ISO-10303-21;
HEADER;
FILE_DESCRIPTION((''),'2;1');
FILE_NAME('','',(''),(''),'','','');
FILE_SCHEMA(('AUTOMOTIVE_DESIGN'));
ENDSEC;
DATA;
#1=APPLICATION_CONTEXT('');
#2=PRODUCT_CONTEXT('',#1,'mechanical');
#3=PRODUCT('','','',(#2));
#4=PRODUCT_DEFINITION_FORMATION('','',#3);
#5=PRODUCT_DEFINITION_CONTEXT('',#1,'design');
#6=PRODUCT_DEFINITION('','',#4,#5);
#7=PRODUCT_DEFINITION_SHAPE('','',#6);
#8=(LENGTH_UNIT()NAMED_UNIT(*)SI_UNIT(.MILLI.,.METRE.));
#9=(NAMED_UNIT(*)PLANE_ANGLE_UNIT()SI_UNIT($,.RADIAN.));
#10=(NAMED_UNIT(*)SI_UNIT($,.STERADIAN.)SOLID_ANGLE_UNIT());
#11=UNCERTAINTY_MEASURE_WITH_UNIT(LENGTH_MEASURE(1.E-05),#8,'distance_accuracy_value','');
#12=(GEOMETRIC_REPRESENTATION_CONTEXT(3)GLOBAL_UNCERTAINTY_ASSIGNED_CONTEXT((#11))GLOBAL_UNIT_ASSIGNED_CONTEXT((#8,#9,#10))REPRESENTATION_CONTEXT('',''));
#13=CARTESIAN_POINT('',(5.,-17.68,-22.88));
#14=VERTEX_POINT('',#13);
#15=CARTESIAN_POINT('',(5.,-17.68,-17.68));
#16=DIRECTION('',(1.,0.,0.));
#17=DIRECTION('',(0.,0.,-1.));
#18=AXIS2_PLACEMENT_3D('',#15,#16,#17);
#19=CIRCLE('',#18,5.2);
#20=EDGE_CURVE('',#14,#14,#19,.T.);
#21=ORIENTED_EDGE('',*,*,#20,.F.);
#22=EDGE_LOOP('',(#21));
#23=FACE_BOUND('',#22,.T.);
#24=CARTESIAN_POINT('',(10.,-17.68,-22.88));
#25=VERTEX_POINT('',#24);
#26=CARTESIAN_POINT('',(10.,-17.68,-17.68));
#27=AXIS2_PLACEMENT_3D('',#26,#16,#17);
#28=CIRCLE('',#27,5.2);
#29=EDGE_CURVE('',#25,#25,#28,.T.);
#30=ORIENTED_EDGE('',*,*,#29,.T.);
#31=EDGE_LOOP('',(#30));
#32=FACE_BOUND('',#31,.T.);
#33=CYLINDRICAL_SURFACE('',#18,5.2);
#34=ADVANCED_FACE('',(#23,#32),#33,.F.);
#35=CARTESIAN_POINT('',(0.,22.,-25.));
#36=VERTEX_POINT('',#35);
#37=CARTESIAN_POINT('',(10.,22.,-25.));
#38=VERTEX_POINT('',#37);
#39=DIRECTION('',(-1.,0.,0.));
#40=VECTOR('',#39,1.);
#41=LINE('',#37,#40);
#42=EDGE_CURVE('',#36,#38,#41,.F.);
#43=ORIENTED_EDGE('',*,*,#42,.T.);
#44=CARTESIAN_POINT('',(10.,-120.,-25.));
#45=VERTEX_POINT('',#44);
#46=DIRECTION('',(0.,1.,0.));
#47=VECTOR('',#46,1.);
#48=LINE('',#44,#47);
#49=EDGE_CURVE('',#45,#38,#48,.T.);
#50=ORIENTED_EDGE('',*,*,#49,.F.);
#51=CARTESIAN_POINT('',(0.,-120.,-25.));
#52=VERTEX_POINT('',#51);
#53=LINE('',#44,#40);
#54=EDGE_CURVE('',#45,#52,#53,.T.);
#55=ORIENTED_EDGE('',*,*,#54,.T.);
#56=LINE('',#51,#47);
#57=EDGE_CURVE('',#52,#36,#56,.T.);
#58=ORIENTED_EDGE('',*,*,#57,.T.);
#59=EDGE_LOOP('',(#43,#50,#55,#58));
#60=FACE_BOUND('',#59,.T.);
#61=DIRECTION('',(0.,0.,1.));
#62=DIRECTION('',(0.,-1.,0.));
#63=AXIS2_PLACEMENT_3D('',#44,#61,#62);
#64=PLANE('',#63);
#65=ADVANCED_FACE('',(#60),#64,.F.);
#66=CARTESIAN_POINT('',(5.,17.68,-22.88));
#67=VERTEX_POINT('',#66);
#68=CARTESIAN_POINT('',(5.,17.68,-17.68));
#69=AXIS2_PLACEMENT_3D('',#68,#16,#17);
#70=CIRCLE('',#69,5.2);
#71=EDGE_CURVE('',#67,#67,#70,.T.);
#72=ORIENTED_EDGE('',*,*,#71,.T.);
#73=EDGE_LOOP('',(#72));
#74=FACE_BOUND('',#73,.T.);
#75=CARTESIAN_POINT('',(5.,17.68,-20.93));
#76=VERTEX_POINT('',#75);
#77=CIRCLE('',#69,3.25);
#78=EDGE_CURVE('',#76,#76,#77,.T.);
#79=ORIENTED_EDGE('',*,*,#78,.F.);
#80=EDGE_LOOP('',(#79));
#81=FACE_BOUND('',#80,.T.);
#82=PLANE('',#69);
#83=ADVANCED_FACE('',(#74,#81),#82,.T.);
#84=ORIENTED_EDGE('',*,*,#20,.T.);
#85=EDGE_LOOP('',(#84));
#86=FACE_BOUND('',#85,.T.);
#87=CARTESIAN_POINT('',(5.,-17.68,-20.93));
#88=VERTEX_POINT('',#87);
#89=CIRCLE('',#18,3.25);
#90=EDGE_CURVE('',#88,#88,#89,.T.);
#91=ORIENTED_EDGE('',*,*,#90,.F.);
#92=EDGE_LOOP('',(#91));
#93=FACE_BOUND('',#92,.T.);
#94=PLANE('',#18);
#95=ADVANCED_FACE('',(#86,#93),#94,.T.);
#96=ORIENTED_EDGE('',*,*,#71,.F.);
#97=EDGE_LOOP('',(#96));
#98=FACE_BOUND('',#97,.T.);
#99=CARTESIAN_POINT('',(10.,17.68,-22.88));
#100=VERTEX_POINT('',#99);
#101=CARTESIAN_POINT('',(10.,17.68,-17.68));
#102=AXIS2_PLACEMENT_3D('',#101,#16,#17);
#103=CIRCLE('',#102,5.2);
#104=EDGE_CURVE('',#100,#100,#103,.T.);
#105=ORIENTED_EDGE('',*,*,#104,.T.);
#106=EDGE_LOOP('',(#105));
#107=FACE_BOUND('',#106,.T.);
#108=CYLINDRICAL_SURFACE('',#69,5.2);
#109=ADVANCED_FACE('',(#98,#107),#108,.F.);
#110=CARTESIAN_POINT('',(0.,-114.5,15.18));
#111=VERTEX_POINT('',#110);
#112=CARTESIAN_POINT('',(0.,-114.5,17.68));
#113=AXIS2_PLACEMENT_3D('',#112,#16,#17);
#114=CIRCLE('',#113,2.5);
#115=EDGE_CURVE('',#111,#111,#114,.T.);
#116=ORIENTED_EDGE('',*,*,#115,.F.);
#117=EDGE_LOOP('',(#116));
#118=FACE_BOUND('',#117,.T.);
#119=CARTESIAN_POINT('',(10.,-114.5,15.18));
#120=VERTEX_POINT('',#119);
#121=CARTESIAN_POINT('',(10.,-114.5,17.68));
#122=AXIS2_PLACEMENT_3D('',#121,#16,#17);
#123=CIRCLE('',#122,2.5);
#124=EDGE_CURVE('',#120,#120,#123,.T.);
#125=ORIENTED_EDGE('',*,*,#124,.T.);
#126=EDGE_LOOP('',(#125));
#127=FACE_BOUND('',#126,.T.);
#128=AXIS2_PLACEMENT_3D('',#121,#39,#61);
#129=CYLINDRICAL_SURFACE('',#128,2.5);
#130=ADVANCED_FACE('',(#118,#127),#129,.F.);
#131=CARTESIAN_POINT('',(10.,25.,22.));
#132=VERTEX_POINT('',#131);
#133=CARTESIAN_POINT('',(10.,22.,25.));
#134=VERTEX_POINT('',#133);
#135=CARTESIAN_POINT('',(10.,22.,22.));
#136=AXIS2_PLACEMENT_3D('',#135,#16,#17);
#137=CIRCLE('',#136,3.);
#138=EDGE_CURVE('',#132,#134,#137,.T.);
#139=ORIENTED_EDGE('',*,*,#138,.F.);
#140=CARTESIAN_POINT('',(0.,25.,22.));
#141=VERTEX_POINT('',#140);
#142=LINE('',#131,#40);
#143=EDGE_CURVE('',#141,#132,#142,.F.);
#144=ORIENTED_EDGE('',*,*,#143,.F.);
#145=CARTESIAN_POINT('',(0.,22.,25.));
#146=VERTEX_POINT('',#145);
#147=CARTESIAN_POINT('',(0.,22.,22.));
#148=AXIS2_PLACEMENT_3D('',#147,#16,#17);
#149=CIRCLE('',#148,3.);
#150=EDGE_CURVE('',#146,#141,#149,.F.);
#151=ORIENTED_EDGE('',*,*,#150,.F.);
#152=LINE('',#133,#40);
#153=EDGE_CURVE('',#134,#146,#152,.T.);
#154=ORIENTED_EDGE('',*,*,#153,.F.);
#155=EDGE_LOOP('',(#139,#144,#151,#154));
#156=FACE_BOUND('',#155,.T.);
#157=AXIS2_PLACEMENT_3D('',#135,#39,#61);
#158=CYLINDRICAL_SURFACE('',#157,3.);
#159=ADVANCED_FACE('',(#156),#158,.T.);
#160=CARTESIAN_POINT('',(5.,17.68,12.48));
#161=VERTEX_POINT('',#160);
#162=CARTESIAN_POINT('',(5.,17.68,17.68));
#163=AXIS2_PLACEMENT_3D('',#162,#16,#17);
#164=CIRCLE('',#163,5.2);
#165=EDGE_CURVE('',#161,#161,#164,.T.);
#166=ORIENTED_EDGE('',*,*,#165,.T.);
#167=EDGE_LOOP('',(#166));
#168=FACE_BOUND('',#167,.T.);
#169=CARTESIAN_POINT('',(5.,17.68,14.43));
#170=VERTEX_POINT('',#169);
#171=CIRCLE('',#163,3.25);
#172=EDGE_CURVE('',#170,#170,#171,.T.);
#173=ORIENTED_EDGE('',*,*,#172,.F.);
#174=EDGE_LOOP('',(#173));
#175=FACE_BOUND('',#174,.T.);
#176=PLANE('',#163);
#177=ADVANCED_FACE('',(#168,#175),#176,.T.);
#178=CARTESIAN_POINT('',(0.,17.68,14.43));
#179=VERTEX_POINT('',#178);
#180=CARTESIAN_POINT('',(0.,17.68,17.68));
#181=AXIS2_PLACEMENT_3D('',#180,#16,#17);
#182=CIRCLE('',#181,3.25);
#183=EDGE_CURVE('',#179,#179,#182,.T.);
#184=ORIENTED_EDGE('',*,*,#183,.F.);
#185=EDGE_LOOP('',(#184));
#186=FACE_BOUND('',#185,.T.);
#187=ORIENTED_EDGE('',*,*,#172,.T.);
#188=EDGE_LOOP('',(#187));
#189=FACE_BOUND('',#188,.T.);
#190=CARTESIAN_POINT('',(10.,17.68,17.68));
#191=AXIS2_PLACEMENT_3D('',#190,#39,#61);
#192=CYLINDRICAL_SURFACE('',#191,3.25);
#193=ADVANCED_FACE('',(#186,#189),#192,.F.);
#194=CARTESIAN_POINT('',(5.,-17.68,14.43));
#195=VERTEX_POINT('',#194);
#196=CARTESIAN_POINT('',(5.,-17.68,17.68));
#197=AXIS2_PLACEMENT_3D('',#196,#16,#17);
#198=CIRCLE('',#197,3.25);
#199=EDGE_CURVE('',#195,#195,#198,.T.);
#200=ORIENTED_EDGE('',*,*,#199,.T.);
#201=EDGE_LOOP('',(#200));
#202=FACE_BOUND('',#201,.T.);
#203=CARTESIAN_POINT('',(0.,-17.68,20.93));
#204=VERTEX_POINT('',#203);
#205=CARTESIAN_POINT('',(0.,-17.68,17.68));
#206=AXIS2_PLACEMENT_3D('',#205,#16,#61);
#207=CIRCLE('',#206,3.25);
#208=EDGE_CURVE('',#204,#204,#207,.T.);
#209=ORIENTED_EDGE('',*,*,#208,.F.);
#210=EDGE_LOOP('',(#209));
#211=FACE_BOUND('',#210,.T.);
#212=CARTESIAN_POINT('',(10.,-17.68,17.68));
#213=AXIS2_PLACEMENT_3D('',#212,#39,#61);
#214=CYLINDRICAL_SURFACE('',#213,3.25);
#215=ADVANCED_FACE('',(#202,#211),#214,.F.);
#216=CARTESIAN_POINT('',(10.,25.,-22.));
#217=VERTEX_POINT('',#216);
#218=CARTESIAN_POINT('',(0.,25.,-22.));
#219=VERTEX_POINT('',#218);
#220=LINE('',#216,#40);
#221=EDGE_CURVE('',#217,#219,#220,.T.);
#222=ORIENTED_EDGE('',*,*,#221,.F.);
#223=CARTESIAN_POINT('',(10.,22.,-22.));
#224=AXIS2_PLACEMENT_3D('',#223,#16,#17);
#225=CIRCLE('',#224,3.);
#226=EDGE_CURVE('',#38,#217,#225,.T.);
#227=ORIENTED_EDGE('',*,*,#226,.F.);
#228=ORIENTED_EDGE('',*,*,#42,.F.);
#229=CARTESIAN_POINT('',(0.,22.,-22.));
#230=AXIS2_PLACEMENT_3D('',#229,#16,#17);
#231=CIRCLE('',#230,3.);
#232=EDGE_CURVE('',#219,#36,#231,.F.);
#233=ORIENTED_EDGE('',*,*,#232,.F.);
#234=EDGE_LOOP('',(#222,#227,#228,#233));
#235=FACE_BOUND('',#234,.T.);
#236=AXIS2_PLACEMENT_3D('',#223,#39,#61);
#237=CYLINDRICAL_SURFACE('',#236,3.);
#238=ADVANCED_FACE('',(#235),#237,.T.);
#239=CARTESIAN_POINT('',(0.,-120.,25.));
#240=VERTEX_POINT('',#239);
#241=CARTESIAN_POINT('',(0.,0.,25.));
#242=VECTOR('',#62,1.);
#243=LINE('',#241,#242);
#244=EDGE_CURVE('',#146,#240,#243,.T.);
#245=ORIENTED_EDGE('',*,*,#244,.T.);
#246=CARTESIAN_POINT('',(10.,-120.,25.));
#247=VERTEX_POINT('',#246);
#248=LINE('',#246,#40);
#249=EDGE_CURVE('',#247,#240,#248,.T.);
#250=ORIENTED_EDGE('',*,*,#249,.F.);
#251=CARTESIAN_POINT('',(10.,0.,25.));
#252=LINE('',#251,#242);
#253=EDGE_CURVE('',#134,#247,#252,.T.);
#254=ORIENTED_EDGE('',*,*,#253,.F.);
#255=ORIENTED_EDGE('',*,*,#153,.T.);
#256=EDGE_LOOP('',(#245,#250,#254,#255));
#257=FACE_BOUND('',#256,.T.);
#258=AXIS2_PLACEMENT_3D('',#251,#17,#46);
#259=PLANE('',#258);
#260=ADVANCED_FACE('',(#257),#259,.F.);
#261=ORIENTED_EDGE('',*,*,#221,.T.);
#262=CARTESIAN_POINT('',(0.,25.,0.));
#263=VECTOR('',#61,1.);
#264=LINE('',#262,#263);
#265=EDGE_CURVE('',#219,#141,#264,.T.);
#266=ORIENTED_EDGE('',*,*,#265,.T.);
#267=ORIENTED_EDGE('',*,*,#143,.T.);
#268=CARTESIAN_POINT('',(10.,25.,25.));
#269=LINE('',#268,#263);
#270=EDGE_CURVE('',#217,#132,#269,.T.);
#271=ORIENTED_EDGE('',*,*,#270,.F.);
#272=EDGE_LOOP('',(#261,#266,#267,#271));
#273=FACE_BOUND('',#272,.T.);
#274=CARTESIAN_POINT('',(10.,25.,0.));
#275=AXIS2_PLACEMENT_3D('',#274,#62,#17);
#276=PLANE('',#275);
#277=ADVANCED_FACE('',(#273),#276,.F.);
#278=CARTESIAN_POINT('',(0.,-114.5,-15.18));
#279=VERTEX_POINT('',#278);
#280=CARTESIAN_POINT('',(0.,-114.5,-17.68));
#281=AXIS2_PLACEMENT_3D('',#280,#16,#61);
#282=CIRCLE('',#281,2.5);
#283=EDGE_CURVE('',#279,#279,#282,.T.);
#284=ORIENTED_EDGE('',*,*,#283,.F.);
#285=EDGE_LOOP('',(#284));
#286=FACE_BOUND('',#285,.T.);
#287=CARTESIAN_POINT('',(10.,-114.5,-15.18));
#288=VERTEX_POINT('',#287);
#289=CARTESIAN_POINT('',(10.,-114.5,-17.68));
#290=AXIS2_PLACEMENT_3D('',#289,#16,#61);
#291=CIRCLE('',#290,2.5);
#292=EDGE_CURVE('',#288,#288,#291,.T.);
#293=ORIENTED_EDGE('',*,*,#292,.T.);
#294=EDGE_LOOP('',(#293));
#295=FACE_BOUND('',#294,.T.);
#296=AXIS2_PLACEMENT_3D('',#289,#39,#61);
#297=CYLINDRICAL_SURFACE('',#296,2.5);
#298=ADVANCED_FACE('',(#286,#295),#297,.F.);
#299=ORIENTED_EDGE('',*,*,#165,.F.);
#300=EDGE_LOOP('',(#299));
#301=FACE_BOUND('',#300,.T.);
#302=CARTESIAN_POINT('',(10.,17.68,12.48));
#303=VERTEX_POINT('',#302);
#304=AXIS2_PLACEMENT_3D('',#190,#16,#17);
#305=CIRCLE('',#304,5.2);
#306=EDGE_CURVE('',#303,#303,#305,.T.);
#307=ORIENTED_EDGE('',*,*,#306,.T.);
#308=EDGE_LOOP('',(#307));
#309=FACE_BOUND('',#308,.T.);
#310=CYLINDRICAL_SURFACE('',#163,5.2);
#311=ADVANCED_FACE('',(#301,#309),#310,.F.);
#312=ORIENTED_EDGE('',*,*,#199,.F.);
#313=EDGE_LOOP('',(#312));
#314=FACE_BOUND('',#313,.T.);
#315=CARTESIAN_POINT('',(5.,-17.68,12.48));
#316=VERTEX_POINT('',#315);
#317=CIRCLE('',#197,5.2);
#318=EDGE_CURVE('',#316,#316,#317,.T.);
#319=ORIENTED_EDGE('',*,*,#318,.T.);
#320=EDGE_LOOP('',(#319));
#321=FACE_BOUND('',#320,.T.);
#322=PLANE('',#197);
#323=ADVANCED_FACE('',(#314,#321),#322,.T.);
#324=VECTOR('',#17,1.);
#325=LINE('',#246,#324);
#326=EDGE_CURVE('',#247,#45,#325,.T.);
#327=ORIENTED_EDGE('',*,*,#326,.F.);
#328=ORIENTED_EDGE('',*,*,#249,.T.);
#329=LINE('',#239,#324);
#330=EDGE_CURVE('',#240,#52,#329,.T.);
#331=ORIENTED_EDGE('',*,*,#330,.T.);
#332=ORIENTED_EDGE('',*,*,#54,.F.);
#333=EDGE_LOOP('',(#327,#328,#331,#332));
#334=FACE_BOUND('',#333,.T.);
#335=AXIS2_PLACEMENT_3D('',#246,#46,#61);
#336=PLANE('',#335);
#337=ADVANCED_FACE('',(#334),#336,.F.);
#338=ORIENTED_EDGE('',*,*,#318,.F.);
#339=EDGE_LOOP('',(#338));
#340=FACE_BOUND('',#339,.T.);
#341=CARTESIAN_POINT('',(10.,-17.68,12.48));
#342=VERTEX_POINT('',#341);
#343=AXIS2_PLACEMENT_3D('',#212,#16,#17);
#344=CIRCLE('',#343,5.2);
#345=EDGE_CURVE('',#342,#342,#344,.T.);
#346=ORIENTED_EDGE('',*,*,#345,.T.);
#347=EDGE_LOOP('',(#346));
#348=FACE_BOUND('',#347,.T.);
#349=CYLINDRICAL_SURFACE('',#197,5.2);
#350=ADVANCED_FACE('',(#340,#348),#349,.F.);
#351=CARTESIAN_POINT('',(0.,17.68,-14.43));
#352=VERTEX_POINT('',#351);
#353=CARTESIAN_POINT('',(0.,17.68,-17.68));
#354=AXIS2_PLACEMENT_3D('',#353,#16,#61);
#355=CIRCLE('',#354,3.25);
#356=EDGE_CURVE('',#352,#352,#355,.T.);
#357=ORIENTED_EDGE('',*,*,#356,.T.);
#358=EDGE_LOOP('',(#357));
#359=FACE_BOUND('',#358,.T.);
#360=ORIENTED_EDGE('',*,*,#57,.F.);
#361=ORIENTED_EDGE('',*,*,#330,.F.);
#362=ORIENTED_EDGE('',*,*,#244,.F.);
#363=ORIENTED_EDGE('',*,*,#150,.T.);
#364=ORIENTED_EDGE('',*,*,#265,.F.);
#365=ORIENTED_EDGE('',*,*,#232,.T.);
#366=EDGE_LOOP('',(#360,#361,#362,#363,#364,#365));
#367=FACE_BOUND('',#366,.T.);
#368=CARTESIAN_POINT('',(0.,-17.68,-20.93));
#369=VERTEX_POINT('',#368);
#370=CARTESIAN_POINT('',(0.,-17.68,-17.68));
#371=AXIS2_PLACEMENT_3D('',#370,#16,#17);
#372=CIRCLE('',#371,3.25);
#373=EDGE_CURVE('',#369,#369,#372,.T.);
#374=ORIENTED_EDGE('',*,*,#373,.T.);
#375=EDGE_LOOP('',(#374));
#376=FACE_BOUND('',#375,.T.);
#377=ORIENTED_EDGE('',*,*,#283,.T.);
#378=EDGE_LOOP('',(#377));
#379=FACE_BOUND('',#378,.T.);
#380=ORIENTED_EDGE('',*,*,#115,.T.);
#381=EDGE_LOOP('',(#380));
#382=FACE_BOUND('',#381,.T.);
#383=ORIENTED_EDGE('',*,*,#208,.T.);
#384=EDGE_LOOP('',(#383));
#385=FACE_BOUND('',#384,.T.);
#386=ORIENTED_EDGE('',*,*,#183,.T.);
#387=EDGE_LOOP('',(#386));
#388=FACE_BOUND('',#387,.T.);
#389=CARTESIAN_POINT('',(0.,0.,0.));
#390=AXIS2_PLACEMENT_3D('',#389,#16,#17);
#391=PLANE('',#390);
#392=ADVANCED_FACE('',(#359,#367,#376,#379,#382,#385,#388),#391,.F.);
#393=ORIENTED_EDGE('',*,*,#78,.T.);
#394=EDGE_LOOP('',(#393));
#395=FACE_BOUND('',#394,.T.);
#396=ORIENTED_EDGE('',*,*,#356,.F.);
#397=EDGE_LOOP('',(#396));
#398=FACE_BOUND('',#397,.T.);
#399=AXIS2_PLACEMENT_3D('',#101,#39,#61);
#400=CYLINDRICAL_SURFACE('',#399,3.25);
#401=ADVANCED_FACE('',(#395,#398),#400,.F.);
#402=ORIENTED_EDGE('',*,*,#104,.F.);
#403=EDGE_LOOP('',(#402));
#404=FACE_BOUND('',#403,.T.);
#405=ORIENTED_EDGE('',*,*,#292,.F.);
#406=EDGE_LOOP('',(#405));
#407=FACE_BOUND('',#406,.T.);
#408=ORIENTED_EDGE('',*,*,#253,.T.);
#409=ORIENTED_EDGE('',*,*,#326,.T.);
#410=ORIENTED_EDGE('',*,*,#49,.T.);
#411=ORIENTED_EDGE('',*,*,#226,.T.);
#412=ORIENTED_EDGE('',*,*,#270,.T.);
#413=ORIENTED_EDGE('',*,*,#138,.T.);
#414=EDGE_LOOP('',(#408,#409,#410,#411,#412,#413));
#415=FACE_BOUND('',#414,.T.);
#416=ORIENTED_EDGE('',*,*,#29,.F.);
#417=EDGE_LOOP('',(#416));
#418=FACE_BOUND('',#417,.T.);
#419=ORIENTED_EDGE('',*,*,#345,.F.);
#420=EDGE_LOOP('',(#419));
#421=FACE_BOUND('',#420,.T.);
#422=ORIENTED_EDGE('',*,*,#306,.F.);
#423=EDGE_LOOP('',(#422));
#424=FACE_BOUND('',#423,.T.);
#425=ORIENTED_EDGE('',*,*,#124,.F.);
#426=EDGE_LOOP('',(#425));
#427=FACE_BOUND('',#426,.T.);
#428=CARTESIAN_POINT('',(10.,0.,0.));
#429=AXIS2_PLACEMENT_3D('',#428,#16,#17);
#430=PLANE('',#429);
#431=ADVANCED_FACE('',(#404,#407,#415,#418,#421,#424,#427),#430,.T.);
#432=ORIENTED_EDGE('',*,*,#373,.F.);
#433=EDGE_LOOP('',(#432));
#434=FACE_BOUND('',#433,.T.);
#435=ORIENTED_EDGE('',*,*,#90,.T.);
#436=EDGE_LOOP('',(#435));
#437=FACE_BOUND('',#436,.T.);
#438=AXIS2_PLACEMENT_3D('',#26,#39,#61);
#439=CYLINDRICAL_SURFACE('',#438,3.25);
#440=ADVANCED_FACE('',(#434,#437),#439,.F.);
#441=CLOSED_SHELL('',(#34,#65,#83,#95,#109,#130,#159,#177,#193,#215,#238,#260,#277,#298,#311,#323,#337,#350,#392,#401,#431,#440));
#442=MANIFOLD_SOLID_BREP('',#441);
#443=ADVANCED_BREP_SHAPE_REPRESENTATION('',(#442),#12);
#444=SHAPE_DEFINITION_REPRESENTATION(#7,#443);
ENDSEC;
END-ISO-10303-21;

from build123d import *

# Parameters (mm, degrees)
CROQUIS1_R              = 3.25
CROQUIS1_R_2            = 2.5
SALIENTE_EXTRUIR1_DEPTH = 10
CROQUIS5_R              = 5.2
CORTAR_EXTRUIR2_DEPTH   = 5
FILLET1_R               = 3


with BuildPart() as part:
    # Croquis1 → Saliente-Extruir1 (new body)
    with BuildSketch(Plane(origin=(0, 0, 0), x_dir=(0, 0, -1), z_dir=(1, 0, 0))):
        Polygon((-25, -120), (25, -120), (25, 25), (0, 25), (-25, 25), (-25, 0), align=None)
        with Locations((-17.68, 17.68)):
            Circle(CROQUIS1_R, mode=Mode.SUBTRACT)
        with Locations(Location((17.68, 17.68, 0), (0, 0, 180))):
            Circle(CROQUIS1_R, mode=Mode.SUBTRACT)
        with Locations((17.68, -17.68)):
            Circle(CROQUIS1_R, mode=Mode.SUBTRACT)
        with Locations(Location((-17.68, -17.68, 0), (0, 0, 180))):
            Circle(CROQUIS1_R, mode=Mode.SUBTRACT)
        with Locations((-17.68, -114.5)):
            Circle(CROQUIS1_R_2, mode=Mode.SUBTRACT)
        with Locations(Location((17.68, -114.5, 0), (0, 0, 180))):
            Circle(CROQUIS1_R_2, mode=Mode.SUBTRACT)
    extrude(amount=SALIENTE_EXTRUIR1_DEPTH)

    # Croquis5 → Cortar-Extruir2 (cut)
    with BuildSketch(Plane(origin=(10, 0, 0), x_dir=(0, 0, -1), z_dir=(1, 0, 0))):
        with Locations((17.68, 17.68)):
            Circle(CROQUIS5_R)
        with Locations((-17.68, 17.68)):
            Circle(CROQUIS5_R)
        with Locations((-17.68, -17.68)):
            Circle(CROQUIS5_R)
        with Locations((17.68, -17.68)):
            Circle(CROQUIS5_R)
    extrude(amount=-CORTAR_EXTRUIR2_DEPTH, mode=Mode.SUBTRACT)

    # Fillet1
    fillet1_edges = [part.edges().sort_by_distance(p)[0] for p in [
        (5, 25, -25),
        (5, 25, 25),
    ]]
    fillet(fillet1_edges, radius=FILLET1_R)


solid = part.part
